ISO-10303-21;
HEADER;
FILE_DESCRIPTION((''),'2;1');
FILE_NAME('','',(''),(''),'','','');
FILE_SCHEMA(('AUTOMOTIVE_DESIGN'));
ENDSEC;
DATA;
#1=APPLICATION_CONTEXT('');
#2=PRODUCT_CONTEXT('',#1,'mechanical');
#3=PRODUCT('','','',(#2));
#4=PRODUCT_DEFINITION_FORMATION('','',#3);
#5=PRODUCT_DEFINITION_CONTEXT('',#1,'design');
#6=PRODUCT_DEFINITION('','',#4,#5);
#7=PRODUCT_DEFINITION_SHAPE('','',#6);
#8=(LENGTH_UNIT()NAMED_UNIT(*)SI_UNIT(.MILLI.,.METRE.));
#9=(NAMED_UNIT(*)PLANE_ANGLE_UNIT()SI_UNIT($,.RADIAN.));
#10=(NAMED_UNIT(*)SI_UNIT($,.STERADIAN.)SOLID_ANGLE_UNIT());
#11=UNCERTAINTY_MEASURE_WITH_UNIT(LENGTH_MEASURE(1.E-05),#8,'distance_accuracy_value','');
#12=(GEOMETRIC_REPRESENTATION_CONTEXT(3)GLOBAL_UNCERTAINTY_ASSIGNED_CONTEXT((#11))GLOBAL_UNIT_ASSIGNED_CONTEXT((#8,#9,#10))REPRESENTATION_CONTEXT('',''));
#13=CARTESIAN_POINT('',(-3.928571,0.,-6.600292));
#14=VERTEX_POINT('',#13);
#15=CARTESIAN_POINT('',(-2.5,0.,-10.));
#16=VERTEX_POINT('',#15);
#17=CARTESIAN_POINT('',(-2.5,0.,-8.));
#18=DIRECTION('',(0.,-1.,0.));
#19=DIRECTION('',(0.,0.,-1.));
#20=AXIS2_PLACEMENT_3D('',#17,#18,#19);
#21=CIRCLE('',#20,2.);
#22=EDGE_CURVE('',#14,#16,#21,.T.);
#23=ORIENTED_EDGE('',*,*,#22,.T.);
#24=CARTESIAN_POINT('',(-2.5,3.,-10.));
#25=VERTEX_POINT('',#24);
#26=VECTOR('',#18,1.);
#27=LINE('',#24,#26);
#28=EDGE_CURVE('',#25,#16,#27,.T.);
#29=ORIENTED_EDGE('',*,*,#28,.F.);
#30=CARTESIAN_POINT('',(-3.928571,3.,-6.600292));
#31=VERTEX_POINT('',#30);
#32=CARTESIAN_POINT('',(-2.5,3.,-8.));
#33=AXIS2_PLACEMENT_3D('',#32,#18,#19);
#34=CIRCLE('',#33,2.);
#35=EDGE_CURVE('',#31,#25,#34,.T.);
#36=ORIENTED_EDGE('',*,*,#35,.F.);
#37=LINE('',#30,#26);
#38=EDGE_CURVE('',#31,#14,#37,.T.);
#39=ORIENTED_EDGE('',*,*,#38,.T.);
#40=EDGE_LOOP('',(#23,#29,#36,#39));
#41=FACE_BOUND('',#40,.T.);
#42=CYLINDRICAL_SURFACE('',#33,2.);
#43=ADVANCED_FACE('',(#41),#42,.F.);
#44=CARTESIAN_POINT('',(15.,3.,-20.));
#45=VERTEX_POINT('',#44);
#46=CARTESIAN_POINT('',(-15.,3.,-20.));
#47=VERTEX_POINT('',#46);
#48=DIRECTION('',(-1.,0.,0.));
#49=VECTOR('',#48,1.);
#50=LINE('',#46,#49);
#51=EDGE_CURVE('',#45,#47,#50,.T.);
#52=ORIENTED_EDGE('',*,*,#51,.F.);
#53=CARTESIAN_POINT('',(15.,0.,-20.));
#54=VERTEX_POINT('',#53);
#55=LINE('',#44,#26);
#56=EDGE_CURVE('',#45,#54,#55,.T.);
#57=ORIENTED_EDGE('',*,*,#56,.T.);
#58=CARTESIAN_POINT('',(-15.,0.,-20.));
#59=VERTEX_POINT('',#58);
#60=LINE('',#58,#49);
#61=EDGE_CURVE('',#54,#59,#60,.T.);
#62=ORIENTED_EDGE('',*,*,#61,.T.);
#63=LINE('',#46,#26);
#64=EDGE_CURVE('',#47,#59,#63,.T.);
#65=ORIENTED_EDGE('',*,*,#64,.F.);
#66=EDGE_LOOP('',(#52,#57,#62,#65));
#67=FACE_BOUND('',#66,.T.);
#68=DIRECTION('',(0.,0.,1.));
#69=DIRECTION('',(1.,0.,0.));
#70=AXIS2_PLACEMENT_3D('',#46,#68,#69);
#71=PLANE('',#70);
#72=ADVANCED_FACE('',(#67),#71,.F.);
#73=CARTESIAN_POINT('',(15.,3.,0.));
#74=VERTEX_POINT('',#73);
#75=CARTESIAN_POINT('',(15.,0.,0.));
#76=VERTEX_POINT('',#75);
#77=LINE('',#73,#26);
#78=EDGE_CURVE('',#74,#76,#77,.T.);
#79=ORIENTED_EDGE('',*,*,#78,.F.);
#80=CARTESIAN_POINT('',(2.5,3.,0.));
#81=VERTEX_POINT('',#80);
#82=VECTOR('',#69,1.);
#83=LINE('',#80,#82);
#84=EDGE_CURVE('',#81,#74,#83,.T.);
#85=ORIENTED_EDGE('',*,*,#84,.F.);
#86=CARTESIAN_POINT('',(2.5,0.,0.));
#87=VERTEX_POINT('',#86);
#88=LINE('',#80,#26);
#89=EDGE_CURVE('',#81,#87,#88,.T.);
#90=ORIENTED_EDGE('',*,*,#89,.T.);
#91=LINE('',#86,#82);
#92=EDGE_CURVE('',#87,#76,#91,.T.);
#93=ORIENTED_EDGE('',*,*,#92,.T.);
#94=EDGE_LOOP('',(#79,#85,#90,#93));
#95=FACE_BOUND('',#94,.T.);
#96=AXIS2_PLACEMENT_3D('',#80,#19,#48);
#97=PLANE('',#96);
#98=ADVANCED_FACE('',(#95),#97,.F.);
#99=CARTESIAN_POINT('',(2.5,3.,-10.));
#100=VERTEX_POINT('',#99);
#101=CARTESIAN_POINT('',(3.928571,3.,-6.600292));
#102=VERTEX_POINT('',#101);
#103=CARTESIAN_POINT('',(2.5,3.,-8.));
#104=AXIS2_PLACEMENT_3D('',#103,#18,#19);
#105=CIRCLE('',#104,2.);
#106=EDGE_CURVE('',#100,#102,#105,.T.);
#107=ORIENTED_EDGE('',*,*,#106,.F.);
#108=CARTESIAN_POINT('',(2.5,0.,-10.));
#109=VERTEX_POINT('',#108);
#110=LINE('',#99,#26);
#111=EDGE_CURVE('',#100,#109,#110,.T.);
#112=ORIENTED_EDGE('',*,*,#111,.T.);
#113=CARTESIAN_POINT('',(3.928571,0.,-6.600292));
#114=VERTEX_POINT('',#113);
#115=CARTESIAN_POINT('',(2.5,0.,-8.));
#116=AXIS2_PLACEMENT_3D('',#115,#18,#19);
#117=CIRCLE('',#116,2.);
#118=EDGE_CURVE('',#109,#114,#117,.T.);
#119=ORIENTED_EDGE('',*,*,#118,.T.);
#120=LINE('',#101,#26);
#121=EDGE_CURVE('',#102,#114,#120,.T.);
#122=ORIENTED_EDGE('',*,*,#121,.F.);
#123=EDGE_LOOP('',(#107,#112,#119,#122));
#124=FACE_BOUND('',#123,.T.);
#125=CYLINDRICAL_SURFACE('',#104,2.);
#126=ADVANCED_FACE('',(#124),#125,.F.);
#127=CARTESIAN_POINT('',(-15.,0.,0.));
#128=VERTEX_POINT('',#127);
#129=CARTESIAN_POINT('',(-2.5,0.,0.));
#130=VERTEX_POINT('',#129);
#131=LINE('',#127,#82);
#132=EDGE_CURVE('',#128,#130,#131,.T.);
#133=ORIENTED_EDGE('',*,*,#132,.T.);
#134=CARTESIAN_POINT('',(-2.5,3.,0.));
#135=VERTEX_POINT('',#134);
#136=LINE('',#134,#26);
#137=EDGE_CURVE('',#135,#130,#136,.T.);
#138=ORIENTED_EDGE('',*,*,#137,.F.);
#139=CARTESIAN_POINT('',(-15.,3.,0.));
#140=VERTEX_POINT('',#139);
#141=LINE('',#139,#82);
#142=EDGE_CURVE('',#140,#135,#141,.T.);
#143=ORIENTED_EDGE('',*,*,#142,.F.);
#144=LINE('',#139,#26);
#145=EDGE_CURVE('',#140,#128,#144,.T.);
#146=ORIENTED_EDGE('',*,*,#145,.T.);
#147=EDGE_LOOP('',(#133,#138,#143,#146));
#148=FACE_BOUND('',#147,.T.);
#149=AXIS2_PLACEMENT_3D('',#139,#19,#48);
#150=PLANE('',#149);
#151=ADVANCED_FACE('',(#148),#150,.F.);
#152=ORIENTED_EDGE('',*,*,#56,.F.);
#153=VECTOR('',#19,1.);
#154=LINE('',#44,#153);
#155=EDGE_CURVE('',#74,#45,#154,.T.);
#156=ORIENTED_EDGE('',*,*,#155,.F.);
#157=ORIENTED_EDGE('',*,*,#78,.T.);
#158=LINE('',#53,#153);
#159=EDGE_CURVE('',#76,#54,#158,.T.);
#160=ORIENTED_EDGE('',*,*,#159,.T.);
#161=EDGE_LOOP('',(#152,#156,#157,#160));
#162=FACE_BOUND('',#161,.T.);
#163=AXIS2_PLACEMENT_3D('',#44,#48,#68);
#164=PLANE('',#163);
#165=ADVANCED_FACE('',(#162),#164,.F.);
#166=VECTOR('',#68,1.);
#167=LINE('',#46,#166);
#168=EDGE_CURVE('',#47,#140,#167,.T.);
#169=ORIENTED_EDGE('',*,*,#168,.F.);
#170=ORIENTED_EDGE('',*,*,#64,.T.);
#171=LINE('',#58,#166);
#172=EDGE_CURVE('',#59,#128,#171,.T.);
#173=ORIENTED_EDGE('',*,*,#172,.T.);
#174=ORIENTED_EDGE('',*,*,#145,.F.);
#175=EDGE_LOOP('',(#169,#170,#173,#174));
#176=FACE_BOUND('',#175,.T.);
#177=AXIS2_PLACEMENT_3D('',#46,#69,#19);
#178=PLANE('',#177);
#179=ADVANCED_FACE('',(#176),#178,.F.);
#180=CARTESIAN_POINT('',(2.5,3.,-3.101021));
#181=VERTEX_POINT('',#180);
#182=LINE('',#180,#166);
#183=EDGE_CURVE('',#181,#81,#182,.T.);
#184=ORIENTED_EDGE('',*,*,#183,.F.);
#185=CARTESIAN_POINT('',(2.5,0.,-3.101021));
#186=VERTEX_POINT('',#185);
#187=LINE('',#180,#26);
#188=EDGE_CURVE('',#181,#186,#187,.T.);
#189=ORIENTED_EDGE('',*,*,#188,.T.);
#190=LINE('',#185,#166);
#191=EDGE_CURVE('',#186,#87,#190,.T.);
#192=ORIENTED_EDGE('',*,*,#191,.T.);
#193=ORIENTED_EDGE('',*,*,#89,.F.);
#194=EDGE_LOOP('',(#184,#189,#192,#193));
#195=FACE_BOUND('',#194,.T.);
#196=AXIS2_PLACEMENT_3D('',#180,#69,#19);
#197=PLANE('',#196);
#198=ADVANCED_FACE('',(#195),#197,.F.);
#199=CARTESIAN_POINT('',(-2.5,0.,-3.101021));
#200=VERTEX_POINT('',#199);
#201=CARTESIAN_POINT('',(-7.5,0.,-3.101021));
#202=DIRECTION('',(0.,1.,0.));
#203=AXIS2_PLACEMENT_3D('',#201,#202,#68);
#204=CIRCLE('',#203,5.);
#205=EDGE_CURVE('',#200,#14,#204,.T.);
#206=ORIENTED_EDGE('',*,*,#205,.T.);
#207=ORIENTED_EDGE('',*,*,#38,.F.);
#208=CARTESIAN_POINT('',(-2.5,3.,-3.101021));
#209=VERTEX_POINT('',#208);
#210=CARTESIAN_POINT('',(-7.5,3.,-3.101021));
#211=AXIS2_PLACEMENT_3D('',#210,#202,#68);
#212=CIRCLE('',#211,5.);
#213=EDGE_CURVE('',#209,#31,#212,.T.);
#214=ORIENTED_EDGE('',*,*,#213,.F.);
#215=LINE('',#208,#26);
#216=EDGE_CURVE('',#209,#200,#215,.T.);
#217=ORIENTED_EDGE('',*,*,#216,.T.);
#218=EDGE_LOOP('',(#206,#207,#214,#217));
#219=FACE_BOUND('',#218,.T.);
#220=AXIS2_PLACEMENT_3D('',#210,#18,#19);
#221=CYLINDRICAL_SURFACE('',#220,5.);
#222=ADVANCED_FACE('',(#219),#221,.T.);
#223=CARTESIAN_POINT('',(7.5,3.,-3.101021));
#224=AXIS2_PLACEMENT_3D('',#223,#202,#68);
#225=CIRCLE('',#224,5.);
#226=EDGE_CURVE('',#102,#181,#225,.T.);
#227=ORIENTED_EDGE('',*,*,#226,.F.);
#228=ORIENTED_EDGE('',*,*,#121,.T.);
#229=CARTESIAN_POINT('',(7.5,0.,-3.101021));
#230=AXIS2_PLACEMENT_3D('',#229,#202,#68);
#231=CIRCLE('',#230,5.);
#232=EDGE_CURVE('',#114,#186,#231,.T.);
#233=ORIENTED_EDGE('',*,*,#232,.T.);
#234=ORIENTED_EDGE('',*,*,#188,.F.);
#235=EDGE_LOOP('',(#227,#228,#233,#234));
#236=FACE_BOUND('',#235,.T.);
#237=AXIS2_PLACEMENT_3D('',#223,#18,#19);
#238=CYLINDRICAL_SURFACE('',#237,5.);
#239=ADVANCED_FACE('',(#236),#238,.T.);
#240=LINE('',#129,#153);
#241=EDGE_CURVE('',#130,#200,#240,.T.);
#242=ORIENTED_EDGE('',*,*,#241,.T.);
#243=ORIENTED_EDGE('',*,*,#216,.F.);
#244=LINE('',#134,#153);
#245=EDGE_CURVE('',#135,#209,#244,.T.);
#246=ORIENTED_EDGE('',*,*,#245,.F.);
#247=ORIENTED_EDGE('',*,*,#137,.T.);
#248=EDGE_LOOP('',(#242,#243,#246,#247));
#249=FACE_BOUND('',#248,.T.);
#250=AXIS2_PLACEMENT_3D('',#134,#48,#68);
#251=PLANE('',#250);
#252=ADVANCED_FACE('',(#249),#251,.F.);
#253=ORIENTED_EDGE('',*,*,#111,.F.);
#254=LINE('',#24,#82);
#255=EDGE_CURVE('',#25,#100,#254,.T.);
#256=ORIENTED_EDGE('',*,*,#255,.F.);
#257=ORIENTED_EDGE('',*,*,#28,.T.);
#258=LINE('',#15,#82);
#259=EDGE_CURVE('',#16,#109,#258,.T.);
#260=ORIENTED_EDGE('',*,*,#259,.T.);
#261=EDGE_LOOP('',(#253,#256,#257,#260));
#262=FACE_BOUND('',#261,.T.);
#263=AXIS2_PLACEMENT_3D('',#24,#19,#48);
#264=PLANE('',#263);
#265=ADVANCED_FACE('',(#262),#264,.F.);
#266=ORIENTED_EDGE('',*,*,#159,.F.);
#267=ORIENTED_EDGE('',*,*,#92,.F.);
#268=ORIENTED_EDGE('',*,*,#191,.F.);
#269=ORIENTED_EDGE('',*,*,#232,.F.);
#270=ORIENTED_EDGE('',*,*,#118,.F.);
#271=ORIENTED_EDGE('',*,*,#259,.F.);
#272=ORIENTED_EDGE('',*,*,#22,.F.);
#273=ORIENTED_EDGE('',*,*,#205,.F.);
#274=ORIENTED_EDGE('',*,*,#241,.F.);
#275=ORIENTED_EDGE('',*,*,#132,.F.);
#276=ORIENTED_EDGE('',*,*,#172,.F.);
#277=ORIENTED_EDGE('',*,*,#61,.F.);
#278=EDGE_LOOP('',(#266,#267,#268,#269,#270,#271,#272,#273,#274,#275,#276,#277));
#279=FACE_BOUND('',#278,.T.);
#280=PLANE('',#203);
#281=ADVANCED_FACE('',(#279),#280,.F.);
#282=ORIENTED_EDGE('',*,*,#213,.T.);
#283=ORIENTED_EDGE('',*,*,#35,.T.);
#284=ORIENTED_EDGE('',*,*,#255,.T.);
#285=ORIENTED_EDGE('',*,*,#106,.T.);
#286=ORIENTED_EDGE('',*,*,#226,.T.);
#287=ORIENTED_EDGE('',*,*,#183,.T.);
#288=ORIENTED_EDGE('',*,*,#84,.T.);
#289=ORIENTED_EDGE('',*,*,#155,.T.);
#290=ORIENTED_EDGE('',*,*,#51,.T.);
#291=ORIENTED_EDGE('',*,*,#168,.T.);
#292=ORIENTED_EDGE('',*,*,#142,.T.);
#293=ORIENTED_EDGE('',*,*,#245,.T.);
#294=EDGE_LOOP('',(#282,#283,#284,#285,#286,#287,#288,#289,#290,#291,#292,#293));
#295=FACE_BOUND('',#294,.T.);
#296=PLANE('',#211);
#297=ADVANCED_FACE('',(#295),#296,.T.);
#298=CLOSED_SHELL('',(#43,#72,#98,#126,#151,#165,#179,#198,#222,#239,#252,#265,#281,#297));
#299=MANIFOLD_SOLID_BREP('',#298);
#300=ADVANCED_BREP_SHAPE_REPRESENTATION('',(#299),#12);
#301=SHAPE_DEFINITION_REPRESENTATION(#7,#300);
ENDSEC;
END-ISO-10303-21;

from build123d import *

# Parameters (mm, degrees)
BOSS_EXTRUDE1_DEPTH = 3


with BuildPart() as part:
    # Sketch1 → Boss-Extrude1 (new body)
    with BuildSketch(Plane(origin=(0, 0, 0), x_dir=(1, 0, 0), z_dir=(0, 1, 0))):
        with BuildLine():
            Line((-2.5, 0), (-2.5, 3.101020514))
            ThreePointArc((-2.5, 3.101020514), (-2.870899501, 4.990842879), (-3.928571429, 6.600291576))
            ThreePointArc((-3.928571429, 6.600291576), (-4.343829825, 8.774784858), (-2.5, 10))
            Line((-2.5, 10), (2.5, 10))
            ThreePointArc((2.5, 10), (4.343829825, 8.774784858), (3.928571429, 6.600291576))
            ThreePointArc((3.928571429, 6.600291576), (2.870899501, 4.990842879), (2.5, 3.101020514))
            Line((2.5, 3.101020514), (2.5, 0))
            Line((2.5, 0), (15, 0))
            Line((15, 0), (15, 20))
            Line((15, 20), (-15, 20))
            Line((-15, 20), (-15, 0))
            Line((-15, 0), (-2.5, 0))
        make_face()
    extrude(amount=BOSS_EXTRUDE1_DEPTH)


solid = part.part
